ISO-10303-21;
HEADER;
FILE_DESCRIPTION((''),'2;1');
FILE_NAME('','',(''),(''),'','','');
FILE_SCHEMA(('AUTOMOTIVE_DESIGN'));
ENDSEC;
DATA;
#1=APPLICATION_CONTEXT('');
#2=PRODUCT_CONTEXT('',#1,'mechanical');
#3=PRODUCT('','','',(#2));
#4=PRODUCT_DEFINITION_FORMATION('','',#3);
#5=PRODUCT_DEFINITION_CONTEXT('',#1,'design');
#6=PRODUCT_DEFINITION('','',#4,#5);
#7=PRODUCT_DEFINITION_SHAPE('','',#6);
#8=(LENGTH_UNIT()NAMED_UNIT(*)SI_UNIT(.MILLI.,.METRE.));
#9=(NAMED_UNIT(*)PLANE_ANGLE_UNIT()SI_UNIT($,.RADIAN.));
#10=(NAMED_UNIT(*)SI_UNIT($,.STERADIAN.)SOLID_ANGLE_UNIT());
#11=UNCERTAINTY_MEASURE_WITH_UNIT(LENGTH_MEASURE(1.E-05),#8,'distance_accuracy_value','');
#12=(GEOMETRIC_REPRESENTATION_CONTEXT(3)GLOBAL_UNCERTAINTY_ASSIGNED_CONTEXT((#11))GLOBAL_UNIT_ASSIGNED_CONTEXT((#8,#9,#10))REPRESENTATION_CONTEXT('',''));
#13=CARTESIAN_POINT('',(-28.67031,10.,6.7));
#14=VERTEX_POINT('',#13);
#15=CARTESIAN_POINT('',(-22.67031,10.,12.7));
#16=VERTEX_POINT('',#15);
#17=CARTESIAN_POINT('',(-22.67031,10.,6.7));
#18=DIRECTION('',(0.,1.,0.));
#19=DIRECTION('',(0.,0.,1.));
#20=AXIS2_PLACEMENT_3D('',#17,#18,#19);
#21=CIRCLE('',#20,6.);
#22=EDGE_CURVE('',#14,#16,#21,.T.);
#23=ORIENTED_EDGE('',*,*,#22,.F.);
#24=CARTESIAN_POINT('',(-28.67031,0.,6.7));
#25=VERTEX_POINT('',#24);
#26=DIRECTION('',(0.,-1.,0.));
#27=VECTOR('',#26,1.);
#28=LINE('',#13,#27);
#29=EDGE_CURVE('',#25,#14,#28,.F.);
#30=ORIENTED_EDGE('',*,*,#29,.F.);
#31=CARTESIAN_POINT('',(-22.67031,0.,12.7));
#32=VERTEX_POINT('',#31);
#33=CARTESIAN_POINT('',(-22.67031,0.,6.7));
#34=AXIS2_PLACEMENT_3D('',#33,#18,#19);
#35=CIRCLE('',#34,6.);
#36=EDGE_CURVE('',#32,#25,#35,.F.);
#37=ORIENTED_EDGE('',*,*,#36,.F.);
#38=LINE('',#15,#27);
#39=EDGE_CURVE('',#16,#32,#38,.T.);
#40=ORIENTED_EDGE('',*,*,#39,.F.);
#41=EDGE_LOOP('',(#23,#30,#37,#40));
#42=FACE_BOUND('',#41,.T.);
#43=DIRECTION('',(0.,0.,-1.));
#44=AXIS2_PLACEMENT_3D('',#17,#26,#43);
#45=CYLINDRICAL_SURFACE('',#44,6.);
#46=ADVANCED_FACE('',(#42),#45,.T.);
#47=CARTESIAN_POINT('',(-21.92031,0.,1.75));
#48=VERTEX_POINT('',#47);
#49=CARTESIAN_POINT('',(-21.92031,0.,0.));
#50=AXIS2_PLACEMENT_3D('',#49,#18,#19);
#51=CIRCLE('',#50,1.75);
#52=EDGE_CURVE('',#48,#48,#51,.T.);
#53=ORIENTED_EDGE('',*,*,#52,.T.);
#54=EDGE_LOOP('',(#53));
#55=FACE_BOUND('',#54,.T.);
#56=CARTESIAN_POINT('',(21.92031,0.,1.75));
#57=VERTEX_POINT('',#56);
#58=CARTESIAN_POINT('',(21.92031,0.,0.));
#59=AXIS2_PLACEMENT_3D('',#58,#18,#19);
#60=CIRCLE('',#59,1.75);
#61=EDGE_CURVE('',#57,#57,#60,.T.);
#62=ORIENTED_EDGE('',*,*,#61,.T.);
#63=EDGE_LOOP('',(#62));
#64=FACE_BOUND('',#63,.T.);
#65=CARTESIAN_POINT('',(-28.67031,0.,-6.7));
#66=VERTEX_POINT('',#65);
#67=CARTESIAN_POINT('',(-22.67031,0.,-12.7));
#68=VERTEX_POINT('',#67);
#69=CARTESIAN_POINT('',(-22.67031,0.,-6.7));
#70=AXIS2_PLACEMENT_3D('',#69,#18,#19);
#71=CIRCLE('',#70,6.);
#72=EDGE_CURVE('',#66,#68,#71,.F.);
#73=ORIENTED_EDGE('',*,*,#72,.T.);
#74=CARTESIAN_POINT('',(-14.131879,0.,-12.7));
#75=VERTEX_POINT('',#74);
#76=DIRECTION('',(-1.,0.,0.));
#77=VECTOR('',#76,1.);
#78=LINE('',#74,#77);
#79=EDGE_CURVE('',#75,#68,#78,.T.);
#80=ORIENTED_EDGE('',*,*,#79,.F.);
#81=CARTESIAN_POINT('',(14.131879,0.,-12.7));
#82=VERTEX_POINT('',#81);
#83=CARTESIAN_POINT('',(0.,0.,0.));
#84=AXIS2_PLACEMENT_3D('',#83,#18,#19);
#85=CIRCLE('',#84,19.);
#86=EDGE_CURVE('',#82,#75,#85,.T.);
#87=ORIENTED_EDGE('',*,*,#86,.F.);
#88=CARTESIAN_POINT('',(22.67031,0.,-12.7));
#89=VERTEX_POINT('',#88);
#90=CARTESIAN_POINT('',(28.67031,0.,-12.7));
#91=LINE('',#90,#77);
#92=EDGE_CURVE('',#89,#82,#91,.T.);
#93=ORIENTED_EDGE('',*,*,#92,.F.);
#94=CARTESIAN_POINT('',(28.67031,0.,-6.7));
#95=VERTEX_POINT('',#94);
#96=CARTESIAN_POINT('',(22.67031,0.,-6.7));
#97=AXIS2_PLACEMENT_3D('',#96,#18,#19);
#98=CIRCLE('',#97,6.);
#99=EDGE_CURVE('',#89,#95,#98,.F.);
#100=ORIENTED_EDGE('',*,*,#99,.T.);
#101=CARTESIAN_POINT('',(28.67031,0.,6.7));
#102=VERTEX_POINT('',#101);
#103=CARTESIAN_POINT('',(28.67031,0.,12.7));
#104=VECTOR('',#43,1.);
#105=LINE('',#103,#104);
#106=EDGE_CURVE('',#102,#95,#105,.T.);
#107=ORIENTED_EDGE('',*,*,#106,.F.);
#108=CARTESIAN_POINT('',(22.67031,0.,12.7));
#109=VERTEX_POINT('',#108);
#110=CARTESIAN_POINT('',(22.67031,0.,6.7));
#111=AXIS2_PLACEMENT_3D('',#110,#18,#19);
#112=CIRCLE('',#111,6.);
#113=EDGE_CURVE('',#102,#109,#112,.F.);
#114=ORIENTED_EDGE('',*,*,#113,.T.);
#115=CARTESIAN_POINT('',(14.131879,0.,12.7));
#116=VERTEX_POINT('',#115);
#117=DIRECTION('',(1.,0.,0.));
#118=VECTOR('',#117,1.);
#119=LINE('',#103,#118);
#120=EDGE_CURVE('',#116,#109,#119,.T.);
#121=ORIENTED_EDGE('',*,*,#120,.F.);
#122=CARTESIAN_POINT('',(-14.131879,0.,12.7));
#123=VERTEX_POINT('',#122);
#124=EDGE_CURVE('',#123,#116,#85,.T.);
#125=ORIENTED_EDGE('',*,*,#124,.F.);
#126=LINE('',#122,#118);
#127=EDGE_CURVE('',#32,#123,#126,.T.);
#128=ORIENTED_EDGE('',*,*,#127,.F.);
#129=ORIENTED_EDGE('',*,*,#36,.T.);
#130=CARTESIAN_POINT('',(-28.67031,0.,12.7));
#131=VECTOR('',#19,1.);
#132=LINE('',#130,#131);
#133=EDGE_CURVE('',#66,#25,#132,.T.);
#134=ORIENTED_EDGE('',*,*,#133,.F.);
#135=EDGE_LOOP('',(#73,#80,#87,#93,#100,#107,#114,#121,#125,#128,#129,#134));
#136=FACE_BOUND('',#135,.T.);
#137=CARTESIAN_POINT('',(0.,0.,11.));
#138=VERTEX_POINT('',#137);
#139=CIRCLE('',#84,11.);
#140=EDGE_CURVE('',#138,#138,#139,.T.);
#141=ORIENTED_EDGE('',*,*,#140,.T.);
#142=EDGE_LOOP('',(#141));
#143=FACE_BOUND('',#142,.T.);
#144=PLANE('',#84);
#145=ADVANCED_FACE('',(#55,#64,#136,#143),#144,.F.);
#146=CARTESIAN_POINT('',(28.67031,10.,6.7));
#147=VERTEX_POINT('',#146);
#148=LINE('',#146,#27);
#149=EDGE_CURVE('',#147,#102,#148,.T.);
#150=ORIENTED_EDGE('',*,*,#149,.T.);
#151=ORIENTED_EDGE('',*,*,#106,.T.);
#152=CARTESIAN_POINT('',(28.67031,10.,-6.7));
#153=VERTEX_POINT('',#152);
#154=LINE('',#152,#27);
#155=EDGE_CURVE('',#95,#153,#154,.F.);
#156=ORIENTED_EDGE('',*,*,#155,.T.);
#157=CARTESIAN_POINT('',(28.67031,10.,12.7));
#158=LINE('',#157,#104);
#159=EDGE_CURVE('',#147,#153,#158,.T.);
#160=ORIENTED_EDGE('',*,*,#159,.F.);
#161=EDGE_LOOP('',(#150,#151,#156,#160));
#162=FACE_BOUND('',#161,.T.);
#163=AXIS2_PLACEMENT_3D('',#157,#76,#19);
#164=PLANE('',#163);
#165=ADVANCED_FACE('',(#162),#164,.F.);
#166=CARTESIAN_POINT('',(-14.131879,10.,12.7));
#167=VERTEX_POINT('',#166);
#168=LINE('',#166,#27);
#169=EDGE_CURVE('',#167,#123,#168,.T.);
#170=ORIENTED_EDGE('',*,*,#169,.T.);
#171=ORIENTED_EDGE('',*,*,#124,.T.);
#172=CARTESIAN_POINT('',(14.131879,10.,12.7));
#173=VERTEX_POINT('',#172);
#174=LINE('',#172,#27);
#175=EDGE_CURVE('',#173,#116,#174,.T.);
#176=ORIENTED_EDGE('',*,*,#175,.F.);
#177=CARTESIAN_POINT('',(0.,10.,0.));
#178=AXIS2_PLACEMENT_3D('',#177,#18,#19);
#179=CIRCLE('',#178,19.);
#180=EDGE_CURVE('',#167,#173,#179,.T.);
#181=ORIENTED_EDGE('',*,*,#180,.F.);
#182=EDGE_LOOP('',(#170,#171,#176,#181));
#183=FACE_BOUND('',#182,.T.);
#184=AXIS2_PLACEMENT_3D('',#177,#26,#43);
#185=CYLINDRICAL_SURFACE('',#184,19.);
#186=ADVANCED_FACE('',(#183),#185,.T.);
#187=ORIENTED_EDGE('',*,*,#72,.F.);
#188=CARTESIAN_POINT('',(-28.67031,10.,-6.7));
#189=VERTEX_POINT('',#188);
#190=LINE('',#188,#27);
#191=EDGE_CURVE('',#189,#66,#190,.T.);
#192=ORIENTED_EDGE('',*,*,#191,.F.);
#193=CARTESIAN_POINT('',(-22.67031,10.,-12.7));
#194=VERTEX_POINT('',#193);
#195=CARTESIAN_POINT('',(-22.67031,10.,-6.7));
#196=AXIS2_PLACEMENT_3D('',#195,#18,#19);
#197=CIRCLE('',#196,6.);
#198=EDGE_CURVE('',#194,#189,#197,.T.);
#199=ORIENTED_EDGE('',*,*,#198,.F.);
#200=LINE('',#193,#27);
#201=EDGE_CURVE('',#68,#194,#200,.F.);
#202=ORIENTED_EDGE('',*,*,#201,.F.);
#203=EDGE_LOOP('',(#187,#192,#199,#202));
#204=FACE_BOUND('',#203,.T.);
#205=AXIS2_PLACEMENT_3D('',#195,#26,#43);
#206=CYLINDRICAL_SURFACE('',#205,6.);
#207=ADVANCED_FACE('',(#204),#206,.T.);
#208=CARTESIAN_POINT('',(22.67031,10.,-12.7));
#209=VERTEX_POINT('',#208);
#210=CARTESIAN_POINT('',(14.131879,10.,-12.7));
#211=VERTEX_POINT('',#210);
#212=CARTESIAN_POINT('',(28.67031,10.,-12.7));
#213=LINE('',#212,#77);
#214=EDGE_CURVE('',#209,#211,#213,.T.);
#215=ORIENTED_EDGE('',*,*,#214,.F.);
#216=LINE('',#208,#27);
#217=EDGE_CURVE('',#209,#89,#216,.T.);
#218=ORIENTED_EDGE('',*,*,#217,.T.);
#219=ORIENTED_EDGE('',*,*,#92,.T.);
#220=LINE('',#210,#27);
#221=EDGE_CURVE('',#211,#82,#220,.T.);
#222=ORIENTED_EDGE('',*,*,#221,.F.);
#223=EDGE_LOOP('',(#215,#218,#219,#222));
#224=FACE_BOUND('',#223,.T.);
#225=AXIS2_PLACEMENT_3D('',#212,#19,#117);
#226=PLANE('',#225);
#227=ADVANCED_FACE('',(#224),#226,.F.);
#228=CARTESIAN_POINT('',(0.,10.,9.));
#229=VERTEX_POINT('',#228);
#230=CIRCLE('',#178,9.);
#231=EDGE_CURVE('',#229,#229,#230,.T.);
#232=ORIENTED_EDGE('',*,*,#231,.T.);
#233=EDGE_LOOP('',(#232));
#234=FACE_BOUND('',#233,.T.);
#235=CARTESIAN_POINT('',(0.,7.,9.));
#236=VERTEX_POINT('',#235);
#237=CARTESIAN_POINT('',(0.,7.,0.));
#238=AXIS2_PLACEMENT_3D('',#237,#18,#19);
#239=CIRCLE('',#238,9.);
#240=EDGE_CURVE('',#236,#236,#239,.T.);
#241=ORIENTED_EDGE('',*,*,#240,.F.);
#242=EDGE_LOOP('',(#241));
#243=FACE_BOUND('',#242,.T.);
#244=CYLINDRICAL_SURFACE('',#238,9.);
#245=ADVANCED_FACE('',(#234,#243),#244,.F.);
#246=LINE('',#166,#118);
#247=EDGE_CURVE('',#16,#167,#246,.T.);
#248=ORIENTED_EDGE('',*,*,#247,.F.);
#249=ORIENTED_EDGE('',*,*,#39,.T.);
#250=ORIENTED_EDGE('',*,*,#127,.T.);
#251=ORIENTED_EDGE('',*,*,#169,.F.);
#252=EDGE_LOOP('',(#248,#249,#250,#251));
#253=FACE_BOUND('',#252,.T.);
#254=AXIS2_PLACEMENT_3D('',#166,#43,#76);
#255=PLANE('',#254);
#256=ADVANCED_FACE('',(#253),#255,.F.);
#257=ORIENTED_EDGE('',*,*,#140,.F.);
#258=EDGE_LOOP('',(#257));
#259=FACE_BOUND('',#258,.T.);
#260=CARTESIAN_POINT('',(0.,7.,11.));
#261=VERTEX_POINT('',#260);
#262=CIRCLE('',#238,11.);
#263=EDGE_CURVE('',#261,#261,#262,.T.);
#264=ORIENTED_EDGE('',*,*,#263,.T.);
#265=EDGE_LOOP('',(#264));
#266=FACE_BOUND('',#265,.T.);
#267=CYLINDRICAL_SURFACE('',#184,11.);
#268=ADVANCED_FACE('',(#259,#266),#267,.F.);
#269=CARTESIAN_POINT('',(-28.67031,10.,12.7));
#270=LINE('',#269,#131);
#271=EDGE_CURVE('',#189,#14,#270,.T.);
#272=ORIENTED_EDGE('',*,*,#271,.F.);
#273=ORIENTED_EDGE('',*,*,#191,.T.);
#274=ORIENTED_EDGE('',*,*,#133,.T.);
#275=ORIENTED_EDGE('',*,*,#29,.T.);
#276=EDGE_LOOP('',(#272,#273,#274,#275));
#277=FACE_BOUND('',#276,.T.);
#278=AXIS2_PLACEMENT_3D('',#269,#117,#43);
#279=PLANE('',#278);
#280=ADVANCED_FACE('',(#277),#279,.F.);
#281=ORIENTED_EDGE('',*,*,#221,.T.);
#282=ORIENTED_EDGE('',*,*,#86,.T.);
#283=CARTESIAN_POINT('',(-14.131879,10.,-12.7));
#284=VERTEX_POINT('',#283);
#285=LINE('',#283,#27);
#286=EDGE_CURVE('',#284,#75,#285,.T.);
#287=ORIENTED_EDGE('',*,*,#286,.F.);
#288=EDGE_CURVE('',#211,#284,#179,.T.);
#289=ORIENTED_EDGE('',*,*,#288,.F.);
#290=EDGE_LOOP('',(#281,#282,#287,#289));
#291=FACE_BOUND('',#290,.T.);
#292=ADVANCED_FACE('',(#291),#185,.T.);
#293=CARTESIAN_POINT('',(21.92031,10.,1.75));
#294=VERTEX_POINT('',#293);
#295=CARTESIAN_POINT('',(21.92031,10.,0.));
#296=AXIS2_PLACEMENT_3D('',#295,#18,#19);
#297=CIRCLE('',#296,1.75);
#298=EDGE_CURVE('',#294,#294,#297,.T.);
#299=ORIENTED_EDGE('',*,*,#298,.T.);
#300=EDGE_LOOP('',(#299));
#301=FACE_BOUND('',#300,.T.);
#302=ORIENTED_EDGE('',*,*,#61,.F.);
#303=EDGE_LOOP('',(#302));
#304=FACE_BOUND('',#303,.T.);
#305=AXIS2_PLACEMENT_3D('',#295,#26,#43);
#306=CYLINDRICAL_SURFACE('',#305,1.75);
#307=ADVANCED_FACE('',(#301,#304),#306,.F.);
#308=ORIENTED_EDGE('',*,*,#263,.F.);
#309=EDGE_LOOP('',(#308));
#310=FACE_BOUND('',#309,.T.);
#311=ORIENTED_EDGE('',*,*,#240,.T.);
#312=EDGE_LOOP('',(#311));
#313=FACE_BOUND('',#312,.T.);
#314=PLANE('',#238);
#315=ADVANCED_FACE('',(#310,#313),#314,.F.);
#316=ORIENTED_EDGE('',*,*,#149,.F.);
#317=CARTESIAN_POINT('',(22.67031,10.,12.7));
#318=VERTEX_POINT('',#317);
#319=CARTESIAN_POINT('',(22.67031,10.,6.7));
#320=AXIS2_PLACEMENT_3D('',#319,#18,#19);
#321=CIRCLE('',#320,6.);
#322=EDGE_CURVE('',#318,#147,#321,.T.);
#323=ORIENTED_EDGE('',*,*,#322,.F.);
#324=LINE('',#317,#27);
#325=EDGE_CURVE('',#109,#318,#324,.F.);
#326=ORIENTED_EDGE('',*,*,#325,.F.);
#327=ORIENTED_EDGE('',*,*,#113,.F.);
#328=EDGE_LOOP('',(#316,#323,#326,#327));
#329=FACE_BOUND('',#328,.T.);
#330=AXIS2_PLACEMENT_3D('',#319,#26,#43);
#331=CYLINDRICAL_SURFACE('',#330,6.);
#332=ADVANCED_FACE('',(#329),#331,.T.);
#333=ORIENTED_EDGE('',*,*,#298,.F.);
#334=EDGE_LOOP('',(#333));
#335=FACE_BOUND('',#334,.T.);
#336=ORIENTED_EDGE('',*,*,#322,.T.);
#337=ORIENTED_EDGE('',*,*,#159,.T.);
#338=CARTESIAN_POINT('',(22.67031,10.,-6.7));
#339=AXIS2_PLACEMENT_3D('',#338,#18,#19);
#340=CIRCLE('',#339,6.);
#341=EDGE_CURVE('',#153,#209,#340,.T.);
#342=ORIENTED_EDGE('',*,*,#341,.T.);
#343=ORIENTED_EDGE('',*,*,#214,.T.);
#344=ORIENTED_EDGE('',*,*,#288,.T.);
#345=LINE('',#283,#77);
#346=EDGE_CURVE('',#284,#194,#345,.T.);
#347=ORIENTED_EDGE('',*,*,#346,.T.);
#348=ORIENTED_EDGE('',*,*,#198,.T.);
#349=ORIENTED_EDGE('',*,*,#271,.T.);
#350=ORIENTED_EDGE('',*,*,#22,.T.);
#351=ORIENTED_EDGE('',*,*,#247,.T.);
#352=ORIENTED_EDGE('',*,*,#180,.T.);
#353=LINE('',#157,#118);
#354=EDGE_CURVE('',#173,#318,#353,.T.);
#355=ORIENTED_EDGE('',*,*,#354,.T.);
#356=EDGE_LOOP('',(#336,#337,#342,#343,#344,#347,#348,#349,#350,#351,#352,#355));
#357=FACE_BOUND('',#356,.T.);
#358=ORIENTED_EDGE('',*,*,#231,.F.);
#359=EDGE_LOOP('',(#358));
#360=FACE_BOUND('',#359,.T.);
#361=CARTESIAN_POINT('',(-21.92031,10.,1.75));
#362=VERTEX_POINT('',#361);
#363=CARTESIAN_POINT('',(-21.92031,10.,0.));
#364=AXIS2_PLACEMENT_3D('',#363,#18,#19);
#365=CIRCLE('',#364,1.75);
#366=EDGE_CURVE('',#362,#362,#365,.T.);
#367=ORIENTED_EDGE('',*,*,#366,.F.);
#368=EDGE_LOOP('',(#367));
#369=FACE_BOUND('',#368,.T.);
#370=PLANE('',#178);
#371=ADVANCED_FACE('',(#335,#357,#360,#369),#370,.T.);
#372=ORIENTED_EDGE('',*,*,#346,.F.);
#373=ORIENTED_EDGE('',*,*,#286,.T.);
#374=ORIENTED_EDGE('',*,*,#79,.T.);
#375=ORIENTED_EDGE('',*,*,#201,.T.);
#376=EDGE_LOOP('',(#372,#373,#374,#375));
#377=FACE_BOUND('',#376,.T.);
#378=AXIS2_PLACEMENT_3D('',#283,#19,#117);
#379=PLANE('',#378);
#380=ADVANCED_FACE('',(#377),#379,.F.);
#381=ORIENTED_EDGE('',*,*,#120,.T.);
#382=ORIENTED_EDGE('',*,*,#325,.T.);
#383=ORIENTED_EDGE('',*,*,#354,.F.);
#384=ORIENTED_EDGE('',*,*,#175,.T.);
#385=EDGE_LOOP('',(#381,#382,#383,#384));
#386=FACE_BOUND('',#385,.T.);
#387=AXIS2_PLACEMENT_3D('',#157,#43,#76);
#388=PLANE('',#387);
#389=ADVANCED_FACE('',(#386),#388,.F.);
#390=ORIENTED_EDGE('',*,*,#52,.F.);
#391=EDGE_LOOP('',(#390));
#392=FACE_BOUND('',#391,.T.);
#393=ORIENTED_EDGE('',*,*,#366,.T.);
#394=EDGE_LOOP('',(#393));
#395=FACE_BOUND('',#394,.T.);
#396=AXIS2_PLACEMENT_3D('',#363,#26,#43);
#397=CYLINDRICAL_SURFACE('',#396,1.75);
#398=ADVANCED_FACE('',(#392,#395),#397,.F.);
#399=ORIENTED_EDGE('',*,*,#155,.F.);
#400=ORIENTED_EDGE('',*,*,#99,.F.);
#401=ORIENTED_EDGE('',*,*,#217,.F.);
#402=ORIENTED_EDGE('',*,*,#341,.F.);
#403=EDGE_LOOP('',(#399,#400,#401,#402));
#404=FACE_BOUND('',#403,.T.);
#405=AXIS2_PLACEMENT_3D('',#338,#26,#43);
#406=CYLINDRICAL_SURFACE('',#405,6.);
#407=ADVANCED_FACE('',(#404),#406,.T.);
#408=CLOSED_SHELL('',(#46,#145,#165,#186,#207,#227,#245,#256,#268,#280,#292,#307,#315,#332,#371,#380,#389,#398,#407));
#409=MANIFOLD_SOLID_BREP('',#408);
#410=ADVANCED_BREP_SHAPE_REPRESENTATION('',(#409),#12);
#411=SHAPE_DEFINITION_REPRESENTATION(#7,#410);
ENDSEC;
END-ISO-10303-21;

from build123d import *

# Parameters (mm, degrees)
SKETCH1_R           = 11
SKETCH1_R_2         = 1.75
BOSS_EXTRUDE1_DEPTH = 10
BOSS_EXTRUDE2_START = -3
SKETCH2_R           = 11
SKETCH2_R_2         = 9
BOSS_EXTRUDE2_DEPTH = 3
FILLET1_R           = 6


with BuildPart() as part:
    # Sketch1 → Boss-Extrude1 (new body)
    with BuildSketch(Plane(origin=(0, 0, 0), x_dir=(1, 0, 0), z_dir=(0, 1, 0))):
        with BuildLine():
            Line((28.670310217, -12.7), (14.131878856, -12.7))
            ThreePointArc((14.131878856, -12.7), (0, -19), (-14.131878856, -12.7))
            Line((-14.131878856, -12.7), (-28.670310217, -12.7))
            Line((-28.670310217, -12.7), (-28.670310217, 12.7))
            Line((-28.670310217, 12.7), (-14.131878856, 12.7))
            ThreePointArc((-14.131878856, 12.7), (0, 19), (14.131878856, 12.7))
            Line((14.131878856, 12.7), (28.670310217, 12.7))
            Line((28.670310217, 12.7), (28.670310217, -12.7))
        make_face()
        with Locations(Location((0, 0, 0), (0, 0, 270))):
            Circle(SKETCH1_R, mode=Mode.SUBTRACT)
        with Locations(Location((21.920310217, 0, 0), (0, 0, 270))):
            Circle(SKETCH1_R_2, mode=Mode.SUBTRACT)
        with Locations(Location((-21.920310217, 0, 0), (0, 0, 270))):
            Circle(SKETCH1_R_2, mode=Mode.SUBTRACT)
    extrude(amount=BOSS_EXTRUDE1_DEPTH)

    # Sketch2 → Boss-Extrude2 (add)
    with BuildSketch(Plane(origin=(0, 10, 0), x_dir=(1, 0, 0), z_dir=(0, 1, 0)).offset(BOSS_EXTRUDE2_START)):
        with Locations(Location((0, 0, 0), (0, 0, 270))):
            Circle(SKETCH2_R)
        with Locations(Location((0, 0, 0), (0, 0, 270))):
            Circle(SKETCH2_R_2, mode=Mode.SUBTRACT)
    extrude(amount=BOSS_EXTRUDE2_DEPTH)

    # Fillet1
    fillet1_edges = [part.edges().sort_by_distance(p)[0] for p in [
        (28.670310217, 5, -12.7),
        (28.670310217, 5, 12.7),
        (-28.670310217, 5, 12.7),
        (-28.670310217, 5, -12.7),
    ]]
    fillet(fillet1_edges, radius=FILLET1_R)


solid = part.part
